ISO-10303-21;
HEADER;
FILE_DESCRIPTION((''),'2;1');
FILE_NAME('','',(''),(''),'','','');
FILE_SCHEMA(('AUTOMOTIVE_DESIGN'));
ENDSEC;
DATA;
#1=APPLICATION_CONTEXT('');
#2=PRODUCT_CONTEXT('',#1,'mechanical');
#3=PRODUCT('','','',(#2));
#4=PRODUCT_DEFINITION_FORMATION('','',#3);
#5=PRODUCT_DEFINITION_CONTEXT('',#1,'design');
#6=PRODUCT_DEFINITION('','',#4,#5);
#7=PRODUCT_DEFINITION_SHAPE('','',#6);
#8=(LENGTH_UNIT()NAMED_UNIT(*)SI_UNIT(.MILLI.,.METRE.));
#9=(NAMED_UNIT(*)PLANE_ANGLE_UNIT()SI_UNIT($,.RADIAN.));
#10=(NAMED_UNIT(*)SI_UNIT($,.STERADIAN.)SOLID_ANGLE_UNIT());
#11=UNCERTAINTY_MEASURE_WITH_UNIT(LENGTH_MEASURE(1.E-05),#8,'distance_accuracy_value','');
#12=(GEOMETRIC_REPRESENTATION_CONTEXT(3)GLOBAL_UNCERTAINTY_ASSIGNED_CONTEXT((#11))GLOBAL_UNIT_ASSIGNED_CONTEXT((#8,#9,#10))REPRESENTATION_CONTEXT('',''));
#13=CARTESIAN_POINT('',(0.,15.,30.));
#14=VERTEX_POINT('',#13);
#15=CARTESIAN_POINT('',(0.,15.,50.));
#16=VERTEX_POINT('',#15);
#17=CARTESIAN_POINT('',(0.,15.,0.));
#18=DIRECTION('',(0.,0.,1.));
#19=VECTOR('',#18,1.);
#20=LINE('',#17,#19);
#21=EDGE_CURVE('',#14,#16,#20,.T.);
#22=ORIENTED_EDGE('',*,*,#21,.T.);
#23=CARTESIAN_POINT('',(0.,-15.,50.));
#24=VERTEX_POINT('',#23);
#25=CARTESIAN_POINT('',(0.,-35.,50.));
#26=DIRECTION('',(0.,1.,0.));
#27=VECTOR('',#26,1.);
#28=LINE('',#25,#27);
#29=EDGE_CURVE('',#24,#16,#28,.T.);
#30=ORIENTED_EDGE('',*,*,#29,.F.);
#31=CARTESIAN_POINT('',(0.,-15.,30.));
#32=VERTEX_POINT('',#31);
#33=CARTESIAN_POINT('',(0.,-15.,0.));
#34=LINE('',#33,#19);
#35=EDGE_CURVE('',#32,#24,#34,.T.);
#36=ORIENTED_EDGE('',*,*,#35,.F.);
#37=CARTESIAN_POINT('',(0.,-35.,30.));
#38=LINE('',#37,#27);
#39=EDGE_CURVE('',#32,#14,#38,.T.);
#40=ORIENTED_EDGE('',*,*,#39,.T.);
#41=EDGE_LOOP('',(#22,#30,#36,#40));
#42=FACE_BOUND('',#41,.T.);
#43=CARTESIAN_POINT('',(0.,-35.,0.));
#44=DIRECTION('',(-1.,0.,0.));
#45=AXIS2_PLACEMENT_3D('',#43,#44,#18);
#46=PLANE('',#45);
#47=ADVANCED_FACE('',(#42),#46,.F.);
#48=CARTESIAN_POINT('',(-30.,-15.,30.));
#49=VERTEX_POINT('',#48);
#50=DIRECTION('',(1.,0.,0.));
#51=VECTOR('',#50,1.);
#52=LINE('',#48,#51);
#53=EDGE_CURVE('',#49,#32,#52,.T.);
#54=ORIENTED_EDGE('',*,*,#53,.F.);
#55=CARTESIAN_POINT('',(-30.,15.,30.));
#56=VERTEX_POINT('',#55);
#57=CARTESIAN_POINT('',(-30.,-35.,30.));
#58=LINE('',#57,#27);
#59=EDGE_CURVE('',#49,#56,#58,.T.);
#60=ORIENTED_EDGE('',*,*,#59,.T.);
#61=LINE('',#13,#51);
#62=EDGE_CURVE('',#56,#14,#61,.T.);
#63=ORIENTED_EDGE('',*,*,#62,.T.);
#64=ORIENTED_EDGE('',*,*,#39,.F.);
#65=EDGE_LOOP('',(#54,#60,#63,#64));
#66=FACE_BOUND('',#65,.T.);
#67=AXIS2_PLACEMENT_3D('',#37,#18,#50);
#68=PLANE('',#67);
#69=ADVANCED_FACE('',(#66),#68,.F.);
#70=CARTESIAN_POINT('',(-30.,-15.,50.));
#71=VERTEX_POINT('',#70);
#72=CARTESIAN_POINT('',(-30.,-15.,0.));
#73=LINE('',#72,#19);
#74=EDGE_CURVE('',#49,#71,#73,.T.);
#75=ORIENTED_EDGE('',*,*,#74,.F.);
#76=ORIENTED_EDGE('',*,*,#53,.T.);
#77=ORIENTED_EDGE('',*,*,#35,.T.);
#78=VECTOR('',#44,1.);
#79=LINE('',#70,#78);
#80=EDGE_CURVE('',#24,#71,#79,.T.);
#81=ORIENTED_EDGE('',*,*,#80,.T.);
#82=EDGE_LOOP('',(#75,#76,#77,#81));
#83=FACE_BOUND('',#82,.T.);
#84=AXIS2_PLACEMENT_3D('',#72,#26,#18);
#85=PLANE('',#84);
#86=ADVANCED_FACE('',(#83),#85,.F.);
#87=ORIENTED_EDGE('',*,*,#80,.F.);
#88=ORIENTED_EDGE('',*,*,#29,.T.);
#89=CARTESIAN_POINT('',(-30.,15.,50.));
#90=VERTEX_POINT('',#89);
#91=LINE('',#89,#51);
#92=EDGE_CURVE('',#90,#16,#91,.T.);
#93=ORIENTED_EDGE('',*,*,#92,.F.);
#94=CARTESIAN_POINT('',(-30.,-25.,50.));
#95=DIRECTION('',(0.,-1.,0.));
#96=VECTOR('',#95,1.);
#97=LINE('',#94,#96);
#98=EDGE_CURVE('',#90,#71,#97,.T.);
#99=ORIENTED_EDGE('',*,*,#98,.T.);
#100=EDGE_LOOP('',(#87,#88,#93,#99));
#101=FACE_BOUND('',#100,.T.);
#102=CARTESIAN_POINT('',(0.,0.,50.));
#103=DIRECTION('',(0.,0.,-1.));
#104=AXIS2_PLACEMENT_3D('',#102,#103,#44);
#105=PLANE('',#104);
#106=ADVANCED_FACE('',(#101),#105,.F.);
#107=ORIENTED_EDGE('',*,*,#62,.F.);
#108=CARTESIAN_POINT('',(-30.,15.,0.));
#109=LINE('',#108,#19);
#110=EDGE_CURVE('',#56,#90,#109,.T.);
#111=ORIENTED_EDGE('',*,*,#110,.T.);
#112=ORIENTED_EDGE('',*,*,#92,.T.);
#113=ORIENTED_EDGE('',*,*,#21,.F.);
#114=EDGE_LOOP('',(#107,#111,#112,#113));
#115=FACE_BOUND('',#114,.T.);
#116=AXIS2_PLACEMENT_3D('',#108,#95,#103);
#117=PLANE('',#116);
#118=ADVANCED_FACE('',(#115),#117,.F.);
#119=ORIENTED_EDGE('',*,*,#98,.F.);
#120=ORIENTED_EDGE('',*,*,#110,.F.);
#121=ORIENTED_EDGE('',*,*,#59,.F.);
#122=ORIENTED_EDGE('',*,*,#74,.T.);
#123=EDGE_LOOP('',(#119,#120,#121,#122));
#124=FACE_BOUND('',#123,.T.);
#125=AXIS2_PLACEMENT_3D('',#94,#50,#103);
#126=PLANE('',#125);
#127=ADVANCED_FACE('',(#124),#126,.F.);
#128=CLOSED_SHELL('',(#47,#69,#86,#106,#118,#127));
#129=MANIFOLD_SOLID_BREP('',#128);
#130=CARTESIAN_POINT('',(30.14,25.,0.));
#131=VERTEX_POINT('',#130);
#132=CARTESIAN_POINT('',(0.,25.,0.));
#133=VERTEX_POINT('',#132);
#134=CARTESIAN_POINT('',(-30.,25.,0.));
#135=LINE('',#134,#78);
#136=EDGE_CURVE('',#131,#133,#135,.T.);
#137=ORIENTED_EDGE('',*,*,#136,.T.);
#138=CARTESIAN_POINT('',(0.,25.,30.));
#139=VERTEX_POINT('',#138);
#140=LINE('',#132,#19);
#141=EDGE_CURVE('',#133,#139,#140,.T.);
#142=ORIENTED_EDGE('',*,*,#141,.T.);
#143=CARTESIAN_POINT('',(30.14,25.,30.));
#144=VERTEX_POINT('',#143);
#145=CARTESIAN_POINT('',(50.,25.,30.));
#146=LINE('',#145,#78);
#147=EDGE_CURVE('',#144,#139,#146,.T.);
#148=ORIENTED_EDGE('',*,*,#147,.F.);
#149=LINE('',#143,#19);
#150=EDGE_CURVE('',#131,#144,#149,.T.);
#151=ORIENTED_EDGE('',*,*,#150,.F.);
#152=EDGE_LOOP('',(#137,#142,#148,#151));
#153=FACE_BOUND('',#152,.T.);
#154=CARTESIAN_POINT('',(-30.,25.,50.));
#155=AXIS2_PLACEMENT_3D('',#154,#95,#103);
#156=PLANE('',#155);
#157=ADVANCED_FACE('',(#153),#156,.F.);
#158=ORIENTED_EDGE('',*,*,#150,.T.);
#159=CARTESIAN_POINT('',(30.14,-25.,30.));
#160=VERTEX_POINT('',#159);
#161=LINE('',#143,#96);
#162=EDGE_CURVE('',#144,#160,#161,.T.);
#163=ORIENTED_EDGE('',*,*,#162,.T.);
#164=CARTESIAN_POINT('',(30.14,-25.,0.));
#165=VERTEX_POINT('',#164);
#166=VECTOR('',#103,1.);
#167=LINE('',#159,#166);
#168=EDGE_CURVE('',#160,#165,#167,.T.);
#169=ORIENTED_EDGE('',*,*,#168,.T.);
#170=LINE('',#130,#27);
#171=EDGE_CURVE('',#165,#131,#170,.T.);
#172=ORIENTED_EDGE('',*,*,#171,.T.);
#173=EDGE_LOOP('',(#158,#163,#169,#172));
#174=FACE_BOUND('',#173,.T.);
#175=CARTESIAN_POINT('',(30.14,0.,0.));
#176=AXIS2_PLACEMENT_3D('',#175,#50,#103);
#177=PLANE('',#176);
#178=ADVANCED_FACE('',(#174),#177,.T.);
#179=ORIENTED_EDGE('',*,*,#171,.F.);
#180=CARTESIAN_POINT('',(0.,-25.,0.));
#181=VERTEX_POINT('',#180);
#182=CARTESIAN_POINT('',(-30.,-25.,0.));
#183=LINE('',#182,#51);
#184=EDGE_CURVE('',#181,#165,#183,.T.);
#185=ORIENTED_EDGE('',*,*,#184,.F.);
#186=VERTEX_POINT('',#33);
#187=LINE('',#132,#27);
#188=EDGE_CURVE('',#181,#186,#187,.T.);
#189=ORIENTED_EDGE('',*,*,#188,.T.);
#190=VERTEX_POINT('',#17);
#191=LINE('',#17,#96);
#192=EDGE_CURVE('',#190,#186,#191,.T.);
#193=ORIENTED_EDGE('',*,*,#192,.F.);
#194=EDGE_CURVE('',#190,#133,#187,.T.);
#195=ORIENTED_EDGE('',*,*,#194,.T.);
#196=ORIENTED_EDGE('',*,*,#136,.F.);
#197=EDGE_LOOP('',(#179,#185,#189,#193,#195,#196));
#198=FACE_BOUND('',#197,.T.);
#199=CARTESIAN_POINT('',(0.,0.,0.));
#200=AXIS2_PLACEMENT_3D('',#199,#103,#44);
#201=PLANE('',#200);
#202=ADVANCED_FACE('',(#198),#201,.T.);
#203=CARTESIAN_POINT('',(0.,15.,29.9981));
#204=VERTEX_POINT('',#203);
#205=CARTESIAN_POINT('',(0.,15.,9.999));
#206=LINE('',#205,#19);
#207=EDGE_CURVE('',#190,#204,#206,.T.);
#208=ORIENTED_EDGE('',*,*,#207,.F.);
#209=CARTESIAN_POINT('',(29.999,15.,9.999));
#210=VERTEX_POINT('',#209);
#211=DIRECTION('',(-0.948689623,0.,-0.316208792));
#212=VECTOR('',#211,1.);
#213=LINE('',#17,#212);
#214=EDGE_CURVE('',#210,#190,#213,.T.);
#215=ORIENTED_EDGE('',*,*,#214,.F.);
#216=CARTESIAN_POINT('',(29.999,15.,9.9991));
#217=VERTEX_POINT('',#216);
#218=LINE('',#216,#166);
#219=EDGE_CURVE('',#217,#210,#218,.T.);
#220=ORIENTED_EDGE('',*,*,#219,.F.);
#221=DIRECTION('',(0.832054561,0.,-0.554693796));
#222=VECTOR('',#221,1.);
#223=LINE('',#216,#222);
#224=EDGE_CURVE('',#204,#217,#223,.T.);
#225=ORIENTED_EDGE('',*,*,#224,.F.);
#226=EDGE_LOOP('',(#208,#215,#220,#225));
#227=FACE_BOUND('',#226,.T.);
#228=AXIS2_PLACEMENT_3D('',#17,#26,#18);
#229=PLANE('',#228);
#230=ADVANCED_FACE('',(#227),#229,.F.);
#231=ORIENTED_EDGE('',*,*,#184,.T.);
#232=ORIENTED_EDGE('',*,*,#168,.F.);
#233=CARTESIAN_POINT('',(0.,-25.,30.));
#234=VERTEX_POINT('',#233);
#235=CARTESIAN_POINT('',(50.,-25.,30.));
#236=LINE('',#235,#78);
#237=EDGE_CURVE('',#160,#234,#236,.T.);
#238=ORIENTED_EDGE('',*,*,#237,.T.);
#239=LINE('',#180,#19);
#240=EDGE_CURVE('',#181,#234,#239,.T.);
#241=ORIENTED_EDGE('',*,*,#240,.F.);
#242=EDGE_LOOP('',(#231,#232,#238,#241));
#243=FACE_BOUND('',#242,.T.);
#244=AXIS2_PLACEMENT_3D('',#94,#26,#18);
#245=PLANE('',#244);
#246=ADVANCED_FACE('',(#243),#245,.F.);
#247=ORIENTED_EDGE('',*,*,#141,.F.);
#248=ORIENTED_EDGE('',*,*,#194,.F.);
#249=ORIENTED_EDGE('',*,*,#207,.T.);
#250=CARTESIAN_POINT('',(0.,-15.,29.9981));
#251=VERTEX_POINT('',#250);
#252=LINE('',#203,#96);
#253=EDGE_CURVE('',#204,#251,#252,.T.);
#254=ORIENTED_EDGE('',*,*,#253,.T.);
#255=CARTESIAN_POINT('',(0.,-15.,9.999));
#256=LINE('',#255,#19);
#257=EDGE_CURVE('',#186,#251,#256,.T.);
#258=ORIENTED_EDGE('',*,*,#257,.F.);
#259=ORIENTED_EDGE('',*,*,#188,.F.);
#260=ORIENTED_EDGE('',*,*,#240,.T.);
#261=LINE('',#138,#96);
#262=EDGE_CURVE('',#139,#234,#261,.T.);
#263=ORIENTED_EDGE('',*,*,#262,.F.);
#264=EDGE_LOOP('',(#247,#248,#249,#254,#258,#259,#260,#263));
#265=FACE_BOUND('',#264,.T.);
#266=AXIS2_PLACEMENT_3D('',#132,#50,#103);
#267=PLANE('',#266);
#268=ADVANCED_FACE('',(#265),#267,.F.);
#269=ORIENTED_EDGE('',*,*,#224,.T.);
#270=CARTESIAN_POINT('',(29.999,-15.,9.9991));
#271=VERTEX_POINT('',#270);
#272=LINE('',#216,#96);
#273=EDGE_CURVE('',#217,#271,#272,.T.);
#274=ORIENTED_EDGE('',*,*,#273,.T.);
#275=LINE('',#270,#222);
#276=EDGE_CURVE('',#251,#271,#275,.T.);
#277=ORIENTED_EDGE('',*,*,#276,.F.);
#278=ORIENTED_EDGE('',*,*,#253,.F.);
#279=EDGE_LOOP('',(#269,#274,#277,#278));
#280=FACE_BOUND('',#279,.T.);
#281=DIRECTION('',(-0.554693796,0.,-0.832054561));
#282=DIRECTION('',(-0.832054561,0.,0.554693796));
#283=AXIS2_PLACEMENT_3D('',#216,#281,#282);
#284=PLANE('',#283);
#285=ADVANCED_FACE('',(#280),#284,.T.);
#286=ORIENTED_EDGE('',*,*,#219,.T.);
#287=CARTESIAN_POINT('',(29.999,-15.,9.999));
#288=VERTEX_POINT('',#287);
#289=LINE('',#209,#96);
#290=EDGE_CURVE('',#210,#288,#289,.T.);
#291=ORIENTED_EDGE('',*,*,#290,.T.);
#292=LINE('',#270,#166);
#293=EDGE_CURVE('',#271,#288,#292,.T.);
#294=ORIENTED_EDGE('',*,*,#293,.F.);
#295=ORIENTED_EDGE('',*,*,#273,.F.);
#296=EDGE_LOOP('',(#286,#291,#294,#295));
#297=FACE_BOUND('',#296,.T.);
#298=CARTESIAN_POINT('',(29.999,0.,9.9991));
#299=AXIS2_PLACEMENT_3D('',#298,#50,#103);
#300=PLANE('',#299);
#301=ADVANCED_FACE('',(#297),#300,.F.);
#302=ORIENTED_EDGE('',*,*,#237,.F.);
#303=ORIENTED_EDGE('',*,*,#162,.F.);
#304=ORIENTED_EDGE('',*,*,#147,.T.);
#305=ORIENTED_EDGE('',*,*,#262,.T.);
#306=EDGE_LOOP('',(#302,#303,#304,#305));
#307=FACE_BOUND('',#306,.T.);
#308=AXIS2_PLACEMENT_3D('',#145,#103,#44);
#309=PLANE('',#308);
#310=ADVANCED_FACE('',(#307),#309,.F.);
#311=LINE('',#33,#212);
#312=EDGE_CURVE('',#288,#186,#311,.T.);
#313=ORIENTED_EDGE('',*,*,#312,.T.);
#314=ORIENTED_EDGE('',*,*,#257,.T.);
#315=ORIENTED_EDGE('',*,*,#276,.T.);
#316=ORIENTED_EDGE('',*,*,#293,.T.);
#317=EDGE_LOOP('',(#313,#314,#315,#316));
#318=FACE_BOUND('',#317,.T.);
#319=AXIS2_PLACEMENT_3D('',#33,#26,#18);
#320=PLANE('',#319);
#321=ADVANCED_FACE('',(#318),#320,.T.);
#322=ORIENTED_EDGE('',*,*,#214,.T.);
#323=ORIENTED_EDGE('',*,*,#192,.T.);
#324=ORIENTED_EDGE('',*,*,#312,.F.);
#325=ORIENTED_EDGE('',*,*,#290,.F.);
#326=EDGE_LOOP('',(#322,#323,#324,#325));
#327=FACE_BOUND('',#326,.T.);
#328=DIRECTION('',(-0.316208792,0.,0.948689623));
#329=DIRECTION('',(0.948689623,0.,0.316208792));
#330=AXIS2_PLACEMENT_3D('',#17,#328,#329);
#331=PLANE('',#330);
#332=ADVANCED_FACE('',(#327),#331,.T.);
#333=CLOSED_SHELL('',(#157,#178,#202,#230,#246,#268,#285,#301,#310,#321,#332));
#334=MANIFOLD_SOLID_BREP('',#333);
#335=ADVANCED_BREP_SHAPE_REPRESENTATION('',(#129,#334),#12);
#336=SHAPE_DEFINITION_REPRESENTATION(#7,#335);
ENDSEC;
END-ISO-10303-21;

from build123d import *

# Parameters (mm, degrees)
SKETCH1_W            = 60
SKETCH1_H            = 50
BOSS_EXTRUDE1_DEPTH  = 50
SKETCH2_W            = 30
SKETCH2_H            = 10
CUT_EXTRUDE1_DEPTH   = 50
SKETCH3_W            = 20
SKETCH3_H            = 10
CUT_EXTRUDE2_DEPTH   = 50
SKETCH4_W            = 30
SKETCH4_H            = 30
SKETCH4_H_2          = 20
CUT_EXTRUDE3_DEPTH   = 50
CUT_EXTRUDE7_DEPTH   = 30
CUT_EXTRUDE8_DEPTH   = 30
SKETCH12_W           = 29.999
SKETCH12_H           = 30
CUT_EXTRUDE10_DEPTH  = 0.0001
SKETCH14_W           = 30
SKETCH14_H           = 50
BOSS_EXTRUDE15_DEPTH = 0.14


with BuildPart() as part:
    # Sketch1 → Boss-Extrude1 (new body)
    with BuildSketch(Plane.XY):
        Rectangle(SKETCH1_W, SKETCH1_H)
    extrude(amount=BOSS_EXTRUDE1_DEPTH)

    # Sketch2 → Cut-Extrude1 (cut)
    with BuildSketch(Plane.XY.offset(50)):
        with Locations((-15, 20)):
            Rectangle(SKETCH2_W, SKETCH2_H)
        with Locations((-15, -20)):
            Rectangle(SKETCH2_W, SKETCH2_H)
    extrude(amount=-CUT_EXTRUDE1_DEPTH, mode=Mode.SUBTRACT)

    # Sketch3 → Cut-Extrude2 (cut)
    with BuildSketch(Plane.ZY):
        with Locations((40, 20)):
            Rectangle(SKETCH3_W, SKETCH3_H)
        with Locations((40, -20)):
            Rectangle(SKETCH3_W, SKETCH3_H)
    extrude(amount=-CUT_EXTRUDE2_DEPTH, mode=Mode.SUBTRACT)

    # Sketch4 → Cut-Extrude3 (cut)
    with BuildSketch(Plane(origin=(0, 15, 0), x_dir=(1, 0, 0), z_dir=(0, 1, 0))):
        with Locations((-15, -15)):
            Rectangle(SKETCH4_W, SKETCH4_H)
        with Locations((15, -40)):
            Rectangle(SKETCH4_W, SKETCH4_H_2)
    extrude(amount=-CUT_EXTRUDE3_DEPTH, mode=Mode.SUBTRACT)

    # Sketch9 → Cut-Extrude7 (cut)
    with BuildSketch(Plane(origin=(0, -15, 0), x_dir=(1, 0, 0), z_dir=(0, 1, 0))):
        Polygon((0, 0), (29.999, -9.999), (0, -9.999), align=None)
    extrude(amount=CUT_EXTRUDE7_DEPTH, mode=Mode.SUBTRACT)

    # Sketch10 → Cut-Extrude8 (cut)
    with BuildSketch(Plane(origin=(0, -15, 0), x_dir=(1, 0, 0), z_dir=(0, 1, 0))):
        Polygon((0, -9.9991), (0, -29.9981), (29.999, -9.9991), align=None)
    extrude(amount=CUT_EXTRUDE8_DEPTH, mode=Mode.SUBTRACT)

    # Sketch12 → Cut-Extrude10 (cut)
    with BuildSketch(Plane(origin=(0, 0, 9.999), x_dir=(-1, 0, 0), z_dir=(0, 0, -1))):
        with Locations((-14.9995, 0)):
            Rectangle(SKETCH12_W, SKETCH12_H)
    extrude(amount=-CUT_EXTRUDE10_DEPTH, mode=Mode.SUBTRACT)

    # Sketch14 → Boss-Extrude15 (add)
    with BuildSketch(Plane(origin=(30, 0, 0), x_dir=(0, 0, -1), z_dir=(1, 0, 0))):
        with Locations((-15, 0)):
            Rectangle(SKETCH14_W, SKETCH14_H)
    extrude(amount=BOSS_EXTRUDE15_DEPTH)


solid = part.part
